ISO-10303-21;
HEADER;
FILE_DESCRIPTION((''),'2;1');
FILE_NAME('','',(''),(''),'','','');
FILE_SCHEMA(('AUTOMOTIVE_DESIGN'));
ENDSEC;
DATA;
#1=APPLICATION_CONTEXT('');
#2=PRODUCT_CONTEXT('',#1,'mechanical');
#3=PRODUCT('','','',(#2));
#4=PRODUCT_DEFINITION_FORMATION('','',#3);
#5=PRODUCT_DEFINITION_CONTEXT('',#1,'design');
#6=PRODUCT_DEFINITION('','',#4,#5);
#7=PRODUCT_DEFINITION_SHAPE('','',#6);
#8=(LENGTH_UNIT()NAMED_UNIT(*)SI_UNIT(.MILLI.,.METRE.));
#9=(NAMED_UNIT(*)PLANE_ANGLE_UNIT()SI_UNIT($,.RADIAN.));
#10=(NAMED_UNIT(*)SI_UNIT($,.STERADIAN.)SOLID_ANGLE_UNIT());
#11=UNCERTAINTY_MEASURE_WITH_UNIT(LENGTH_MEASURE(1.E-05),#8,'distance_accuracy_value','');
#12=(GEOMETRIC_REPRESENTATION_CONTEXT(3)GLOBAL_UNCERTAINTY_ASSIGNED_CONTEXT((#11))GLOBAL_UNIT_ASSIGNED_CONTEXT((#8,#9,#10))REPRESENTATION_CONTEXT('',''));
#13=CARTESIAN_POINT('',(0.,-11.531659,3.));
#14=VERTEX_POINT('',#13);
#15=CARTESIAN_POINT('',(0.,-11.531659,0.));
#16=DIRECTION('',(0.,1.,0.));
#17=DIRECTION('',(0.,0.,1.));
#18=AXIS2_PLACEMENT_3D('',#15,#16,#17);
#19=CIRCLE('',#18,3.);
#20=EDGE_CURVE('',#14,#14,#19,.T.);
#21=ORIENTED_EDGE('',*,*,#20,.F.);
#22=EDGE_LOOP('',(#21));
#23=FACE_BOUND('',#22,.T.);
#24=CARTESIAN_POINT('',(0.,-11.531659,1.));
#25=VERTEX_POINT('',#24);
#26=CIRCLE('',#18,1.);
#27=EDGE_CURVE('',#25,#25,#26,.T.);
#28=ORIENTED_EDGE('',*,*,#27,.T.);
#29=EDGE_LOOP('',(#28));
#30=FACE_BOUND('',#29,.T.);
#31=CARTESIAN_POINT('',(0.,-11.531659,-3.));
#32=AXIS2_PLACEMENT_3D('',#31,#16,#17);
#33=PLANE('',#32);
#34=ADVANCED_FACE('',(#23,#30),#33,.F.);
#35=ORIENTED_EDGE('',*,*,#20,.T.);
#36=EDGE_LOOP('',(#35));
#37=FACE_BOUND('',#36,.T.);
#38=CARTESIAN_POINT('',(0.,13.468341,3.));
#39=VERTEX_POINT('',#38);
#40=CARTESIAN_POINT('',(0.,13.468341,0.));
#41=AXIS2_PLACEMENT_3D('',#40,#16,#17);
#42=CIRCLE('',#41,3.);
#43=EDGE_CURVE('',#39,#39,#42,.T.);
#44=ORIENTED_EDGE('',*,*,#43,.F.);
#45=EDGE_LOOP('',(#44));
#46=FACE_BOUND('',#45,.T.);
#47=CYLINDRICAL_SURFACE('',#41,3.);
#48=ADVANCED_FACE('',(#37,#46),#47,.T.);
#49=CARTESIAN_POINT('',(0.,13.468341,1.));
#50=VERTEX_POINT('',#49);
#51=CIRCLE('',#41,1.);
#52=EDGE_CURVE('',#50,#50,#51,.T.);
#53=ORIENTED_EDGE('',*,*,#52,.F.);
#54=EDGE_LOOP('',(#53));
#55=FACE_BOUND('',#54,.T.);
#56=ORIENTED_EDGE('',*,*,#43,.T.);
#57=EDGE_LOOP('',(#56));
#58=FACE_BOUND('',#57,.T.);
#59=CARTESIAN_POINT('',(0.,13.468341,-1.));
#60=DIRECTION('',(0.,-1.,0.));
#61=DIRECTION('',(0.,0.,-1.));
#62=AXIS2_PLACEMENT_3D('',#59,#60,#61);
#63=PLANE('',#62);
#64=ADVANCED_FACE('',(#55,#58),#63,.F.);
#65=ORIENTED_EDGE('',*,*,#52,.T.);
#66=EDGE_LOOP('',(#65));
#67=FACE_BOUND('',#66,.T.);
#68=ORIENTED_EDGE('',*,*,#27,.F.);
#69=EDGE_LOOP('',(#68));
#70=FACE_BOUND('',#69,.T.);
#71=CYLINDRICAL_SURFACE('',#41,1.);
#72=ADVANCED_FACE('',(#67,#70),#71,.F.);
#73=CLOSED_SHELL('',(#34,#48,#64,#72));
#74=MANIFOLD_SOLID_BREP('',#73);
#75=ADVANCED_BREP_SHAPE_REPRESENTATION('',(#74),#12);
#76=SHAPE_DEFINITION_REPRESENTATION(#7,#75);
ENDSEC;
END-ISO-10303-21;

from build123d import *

# Parameters (mm, degrees)
SKICA1_W = 2
SKICA1_H = 25


with BuildPart() as part:
    # Skica1 → Rotovat1 (revolve)
    with BuildSketch(Plane(origin=(0, 0, 0), x_dir=(0, 0, -1), z_dir=(1, 0, 0)), mode=Mode.PRIVATE) as rotovat1_sk:
        with Locations((2, 0.968340643)):
            Rectangle(SKICA1_W, SKICA1_H)
    revolve(rotovat1_sk.sketch.rotate(Axis((0, 13.468340643, 0), (0, -1, 0)), 180), axis=Axis((0, 13.468340643, 0), (0, -1, 0)))


solid = part.part
